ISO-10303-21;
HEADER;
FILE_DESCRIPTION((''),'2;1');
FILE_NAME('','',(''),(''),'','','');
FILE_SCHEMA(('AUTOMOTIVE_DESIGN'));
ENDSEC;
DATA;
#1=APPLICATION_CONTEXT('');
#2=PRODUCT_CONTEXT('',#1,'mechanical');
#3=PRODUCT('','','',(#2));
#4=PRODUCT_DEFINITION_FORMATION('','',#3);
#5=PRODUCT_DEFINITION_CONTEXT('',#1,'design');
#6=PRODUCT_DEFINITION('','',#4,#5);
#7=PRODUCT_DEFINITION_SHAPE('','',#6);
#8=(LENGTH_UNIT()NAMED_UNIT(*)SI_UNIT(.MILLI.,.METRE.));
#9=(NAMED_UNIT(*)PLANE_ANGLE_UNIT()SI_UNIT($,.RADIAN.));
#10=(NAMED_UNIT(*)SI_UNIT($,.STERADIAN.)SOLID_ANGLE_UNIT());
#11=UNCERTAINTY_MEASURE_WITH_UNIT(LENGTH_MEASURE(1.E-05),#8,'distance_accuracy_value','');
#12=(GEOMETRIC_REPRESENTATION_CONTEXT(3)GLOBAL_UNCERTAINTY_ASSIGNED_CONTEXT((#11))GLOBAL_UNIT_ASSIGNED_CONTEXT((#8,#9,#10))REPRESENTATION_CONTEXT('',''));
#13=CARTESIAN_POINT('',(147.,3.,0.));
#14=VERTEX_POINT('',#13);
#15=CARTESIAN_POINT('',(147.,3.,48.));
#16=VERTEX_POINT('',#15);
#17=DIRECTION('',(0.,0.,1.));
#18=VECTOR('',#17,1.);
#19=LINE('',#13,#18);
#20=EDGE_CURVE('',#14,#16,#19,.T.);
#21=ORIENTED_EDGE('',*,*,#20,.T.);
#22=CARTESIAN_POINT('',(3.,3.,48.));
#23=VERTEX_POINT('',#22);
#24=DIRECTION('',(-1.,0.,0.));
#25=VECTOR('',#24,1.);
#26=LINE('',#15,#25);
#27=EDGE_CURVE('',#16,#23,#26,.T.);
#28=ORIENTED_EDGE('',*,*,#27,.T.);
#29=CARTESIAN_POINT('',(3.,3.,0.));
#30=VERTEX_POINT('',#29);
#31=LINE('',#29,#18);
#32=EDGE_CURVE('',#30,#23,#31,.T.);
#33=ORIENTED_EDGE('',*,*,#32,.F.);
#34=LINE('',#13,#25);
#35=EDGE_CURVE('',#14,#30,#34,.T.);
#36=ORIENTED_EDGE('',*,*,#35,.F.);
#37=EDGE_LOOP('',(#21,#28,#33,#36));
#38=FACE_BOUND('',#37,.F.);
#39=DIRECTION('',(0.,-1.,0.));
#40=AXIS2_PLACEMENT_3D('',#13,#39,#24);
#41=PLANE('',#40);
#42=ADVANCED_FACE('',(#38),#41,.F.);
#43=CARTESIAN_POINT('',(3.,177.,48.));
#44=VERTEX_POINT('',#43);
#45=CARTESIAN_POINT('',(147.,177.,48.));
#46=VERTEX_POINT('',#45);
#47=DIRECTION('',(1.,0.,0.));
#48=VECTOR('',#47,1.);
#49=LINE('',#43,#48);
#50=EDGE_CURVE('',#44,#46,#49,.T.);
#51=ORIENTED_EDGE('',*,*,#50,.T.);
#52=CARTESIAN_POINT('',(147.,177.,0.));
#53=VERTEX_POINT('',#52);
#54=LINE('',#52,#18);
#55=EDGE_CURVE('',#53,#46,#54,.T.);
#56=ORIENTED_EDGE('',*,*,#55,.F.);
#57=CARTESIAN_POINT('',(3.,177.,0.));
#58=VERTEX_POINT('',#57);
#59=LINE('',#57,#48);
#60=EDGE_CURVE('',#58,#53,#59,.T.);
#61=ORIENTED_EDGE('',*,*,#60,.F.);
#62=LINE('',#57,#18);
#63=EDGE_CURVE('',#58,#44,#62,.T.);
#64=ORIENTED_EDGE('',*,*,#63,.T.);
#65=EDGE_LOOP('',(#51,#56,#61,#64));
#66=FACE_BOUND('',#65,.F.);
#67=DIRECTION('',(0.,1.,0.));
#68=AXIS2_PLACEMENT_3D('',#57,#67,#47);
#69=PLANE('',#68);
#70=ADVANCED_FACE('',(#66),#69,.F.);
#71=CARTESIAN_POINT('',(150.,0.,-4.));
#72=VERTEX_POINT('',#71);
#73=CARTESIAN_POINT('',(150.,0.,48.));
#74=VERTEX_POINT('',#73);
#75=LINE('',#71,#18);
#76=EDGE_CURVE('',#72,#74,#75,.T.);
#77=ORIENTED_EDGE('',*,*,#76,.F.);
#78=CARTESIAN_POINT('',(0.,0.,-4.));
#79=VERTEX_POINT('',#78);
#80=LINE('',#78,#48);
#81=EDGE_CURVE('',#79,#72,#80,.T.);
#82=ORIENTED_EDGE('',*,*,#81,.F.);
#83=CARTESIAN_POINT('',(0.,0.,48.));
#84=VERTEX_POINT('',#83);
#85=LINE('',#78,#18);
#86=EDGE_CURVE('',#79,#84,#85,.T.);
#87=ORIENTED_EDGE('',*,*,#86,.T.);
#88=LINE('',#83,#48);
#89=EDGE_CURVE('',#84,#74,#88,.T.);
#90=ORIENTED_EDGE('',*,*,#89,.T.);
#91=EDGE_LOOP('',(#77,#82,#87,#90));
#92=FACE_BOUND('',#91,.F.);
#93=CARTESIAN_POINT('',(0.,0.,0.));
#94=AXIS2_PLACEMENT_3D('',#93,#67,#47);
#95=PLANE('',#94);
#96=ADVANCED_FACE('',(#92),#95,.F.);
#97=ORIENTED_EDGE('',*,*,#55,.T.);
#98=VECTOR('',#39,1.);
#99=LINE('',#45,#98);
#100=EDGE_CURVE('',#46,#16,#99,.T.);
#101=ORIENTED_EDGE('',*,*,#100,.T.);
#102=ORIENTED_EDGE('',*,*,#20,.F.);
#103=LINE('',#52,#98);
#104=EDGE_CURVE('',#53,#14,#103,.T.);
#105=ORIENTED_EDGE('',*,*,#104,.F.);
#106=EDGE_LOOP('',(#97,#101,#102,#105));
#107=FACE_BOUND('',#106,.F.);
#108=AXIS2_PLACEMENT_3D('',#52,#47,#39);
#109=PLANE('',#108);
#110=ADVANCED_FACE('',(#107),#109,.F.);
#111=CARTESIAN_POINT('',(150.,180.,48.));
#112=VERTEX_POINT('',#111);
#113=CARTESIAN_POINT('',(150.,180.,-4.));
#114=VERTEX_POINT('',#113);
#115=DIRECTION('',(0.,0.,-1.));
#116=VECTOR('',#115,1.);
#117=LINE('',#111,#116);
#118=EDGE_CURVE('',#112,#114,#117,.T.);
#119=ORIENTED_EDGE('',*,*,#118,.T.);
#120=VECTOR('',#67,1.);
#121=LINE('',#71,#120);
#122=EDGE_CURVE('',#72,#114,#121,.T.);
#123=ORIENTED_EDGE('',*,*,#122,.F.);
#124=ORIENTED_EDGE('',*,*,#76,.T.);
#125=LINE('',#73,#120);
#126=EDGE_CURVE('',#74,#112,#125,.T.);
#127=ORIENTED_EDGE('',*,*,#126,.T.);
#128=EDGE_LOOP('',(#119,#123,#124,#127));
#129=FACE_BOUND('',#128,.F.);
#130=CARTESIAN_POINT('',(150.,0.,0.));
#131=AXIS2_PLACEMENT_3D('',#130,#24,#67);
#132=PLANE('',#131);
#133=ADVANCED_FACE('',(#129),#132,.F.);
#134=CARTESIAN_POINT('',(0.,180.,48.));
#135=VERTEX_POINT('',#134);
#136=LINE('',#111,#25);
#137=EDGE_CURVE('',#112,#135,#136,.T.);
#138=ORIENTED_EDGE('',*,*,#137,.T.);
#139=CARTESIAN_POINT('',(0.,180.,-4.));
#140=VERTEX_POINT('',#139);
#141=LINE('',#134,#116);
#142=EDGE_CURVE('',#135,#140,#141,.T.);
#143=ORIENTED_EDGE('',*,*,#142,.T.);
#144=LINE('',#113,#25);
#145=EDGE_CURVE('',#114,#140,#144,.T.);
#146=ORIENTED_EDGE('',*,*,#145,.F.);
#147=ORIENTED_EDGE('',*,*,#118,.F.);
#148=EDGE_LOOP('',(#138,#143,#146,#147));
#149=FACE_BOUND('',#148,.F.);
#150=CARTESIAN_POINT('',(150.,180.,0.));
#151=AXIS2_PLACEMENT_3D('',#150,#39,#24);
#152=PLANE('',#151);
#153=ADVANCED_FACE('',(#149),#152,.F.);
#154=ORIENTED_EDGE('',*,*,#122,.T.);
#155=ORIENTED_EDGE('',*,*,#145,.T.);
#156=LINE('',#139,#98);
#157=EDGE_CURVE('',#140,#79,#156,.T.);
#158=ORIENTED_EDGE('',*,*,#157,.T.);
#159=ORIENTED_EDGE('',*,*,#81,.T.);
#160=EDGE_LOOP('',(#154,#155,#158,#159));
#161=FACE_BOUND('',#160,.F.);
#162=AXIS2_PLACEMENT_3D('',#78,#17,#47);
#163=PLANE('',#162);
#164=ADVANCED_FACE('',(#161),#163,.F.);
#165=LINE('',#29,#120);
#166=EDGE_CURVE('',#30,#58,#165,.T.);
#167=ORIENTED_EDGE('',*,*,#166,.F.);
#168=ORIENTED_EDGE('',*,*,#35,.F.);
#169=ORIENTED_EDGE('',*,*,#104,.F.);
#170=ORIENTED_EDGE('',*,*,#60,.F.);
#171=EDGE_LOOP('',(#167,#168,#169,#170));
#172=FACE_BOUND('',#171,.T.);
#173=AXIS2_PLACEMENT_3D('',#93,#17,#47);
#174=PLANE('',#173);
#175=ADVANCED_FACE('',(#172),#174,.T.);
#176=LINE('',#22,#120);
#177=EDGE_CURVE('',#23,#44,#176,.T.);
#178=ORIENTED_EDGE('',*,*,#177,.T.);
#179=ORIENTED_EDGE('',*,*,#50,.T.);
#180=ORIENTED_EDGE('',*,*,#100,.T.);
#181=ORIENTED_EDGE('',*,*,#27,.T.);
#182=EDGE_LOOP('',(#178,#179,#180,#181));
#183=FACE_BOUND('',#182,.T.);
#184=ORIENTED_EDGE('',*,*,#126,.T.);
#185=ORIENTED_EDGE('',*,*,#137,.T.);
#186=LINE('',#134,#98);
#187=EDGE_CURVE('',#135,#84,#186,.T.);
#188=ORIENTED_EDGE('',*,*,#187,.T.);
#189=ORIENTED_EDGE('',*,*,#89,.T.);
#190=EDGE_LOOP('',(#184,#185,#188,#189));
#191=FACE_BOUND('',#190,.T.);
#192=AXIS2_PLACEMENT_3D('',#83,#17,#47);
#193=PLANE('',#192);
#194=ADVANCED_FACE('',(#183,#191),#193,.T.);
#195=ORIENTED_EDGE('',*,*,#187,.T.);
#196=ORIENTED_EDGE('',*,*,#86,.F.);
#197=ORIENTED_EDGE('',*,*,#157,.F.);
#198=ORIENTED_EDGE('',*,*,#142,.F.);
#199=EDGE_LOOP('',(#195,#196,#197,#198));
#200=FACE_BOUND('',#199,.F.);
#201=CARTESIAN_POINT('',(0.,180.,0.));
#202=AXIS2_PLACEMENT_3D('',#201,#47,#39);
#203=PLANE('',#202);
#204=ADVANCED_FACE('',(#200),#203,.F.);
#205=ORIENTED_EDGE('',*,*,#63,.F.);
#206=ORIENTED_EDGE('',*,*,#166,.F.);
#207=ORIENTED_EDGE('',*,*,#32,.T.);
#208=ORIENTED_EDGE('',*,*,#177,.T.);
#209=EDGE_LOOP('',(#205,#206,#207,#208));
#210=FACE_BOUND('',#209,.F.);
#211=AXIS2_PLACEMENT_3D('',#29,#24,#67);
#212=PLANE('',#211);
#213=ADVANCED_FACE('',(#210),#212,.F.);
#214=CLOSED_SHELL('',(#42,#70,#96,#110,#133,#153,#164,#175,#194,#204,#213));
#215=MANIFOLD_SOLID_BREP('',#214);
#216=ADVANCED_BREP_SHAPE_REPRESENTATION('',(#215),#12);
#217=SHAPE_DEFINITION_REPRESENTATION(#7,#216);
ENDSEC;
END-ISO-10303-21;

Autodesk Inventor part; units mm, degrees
ref_plane "YZ Plane" through (0, 0, 0) normal (1, 0, 0) x (0, 1, 0)
ref_plane "XZ Plane" through (0, 0, 0) normal (0, 1, 0) x (-1, 0, 0)
ref_plane "XY Plane" through (0, 0, 0) normal (0, 0, 1) x (1, 0, 0)
sketch "Sketch5" plane through (0, 0, 0) normal (0, 0, 1) x (1, 0, 0)
  line L0 (0, 0) -> (150, 0)
  line L1 (150, 0) -> (150, 180)
  line L2 (150, 180) -> (0, 180)
  line L3 (0, 180) -> (0, 0)
  line L4 (3, 177) -> (147, 177)
  line L5 (147, 177) -> (147, 3)
  line L6 (147, 3) -> (3, 3)
  line L7 (3, 3) -> (3, 177)
  dimension "d43" = 150
  dimension "d44" = 180
  dimension "d45" = 3
extrude "Extrusion6" add sketch "Sketch5" against normal blind 4 contours L3 L2 L1 L0 | L4 L5 L6 L7
extrude "Extrusion7" add sketch "Sketch5" along normal blind 48
properties part number "obudowa"
